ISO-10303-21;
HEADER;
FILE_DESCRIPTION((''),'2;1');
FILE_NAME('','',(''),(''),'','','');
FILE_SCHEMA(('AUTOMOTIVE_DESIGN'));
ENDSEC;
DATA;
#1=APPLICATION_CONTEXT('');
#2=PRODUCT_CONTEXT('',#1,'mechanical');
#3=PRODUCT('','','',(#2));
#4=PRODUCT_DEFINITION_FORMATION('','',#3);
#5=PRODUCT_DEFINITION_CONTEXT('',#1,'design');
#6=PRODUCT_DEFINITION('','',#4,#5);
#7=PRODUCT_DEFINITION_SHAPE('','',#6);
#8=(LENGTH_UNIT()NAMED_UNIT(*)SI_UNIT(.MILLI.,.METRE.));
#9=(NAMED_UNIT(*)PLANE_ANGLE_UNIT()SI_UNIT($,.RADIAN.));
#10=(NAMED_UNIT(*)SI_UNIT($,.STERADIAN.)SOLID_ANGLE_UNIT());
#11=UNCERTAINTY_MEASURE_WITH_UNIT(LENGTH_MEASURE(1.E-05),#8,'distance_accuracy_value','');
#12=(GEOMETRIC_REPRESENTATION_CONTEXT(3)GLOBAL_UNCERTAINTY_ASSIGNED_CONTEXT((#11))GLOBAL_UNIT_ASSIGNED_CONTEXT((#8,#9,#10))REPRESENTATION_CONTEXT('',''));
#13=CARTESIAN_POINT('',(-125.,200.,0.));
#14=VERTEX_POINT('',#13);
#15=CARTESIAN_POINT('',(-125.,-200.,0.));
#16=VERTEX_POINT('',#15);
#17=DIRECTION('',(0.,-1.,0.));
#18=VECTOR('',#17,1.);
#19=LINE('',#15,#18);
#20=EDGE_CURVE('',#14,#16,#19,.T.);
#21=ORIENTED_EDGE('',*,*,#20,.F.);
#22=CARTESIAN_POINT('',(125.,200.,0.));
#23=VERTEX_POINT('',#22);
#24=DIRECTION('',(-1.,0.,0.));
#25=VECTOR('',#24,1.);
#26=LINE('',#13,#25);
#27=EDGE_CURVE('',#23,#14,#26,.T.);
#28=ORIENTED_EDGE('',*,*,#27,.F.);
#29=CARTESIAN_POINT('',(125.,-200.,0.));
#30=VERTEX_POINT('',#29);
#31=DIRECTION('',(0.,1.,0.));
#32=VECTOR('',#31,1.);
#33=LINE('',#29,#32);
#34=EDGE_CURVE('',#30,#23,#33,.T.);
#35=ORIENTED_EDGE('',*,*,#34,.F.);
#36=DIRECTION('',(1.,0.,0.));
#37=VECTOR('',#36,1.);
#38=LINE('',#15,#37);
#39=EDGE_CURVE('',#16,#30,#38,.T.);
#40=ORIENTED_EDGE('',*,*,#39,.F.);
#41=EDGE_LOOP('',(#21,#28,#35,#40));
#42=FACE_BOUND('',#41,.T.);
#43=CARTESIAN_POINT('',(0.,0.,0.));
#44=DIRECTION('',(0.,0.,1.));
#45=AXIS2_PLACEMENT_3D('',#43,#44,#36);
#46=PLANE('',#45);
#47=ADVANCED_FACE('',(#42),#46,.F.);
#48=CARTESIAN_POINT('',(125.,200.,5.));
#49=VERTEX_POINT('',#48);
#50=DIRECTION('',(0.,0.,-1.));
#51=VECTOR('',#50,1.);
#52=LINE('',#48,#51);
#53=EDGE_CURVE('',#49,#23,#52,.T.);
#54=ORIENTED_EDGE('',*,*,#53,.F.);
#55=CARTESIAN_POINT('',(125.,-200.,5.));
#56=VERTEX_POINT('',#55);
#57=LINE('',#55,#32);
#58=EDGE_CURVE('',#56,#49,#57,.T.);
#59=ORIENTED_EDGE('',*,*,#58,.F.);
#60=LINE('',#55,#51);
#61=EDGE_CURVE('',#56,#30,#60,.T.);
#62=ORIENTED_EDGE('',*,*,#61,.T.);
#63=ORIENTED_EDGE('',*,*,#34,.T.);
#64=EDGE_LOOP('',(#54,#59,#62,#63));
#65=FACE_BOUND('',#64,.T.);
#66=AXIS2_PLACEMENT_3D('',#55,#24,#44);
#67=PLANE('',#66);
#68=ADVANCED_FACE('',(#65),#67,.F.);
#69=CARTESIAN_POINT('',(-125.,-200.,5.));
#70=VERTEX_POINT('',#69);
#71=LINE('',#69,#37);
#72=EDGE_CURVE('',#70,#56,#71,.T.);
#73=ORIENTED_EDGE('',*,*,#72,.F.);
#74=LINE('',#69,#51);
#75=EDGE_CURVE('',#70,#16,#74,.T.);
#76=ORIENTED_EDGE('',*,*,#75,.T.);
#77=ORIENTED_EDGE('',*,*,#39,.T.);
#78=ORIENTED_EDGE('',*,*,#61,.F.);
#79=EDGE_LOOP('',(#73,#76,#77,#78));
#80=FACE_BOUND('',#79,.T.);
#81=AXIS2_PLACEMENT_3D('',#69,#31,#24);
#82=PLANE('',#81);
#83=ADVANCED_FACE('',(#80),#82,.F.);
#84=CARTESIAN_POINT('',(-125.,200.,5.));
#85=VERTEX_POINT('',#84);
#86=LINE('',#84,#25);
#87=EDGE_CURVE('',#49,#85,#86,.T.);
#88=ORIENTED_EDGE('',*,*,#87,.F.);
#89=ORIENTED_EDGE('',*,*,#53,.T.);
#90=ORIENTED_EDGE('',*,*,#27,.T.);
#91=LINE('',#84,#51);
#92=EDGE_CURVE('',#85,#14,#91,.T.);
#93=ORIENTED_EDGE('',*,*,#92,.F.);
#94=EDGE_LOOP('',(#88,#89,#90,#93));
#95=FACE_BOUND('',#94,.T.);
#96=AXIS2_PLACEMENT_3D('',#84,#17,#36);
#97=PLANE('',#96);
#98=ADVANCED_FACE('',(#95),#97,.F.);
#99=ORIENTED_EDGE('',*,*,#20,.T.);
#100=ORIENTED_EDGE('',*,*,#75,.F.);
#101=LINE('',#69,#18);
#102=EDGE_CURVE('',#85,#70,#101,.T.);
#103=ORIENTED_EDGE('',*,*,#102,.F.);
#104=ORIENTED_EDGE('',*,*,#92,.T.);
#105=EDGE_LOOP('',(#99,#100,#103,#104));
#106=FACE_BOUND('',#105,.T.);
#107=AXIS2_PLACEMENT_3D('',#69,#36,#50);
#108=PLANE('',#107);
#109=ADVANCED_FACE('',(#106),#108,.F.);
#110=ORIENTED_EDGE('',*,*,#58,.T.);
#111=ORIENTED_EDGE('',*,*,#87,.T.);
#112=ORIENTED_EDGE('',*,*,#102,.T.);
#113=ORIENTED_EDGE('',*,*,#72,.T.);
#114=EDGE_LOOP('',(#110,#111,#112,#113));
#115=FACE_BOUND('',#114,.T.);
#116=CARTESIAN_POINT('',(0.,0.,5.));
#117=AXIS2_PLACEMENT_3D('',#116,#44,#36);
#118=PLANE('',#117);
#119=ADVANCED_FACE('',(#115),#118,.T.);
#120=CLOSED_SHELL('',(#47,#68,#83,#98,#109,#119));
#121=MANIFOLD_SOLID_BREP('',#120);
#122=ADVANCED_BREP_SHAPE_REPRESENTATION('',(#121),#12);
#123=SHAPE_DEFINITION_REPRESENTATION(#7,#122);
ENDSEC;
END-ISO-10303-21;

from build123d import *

# Parameters (mm, degrees)
CROQUIS1_W              = 250
CROQUIS1_H              = 400
SALIENTE_EXTRUIR1_DEPTH = 5


with BuildPart() as part:
    # Croquis1 → Saliente-Extruir1 (new body)
    with BuildSketch(Plane.XY):
        Rectangle(CROQUIS1_W, CROQUIS1_H)
    extrude(amount=SALIENTE_EXTRUIR1_DEPTH)


solid = part.part
